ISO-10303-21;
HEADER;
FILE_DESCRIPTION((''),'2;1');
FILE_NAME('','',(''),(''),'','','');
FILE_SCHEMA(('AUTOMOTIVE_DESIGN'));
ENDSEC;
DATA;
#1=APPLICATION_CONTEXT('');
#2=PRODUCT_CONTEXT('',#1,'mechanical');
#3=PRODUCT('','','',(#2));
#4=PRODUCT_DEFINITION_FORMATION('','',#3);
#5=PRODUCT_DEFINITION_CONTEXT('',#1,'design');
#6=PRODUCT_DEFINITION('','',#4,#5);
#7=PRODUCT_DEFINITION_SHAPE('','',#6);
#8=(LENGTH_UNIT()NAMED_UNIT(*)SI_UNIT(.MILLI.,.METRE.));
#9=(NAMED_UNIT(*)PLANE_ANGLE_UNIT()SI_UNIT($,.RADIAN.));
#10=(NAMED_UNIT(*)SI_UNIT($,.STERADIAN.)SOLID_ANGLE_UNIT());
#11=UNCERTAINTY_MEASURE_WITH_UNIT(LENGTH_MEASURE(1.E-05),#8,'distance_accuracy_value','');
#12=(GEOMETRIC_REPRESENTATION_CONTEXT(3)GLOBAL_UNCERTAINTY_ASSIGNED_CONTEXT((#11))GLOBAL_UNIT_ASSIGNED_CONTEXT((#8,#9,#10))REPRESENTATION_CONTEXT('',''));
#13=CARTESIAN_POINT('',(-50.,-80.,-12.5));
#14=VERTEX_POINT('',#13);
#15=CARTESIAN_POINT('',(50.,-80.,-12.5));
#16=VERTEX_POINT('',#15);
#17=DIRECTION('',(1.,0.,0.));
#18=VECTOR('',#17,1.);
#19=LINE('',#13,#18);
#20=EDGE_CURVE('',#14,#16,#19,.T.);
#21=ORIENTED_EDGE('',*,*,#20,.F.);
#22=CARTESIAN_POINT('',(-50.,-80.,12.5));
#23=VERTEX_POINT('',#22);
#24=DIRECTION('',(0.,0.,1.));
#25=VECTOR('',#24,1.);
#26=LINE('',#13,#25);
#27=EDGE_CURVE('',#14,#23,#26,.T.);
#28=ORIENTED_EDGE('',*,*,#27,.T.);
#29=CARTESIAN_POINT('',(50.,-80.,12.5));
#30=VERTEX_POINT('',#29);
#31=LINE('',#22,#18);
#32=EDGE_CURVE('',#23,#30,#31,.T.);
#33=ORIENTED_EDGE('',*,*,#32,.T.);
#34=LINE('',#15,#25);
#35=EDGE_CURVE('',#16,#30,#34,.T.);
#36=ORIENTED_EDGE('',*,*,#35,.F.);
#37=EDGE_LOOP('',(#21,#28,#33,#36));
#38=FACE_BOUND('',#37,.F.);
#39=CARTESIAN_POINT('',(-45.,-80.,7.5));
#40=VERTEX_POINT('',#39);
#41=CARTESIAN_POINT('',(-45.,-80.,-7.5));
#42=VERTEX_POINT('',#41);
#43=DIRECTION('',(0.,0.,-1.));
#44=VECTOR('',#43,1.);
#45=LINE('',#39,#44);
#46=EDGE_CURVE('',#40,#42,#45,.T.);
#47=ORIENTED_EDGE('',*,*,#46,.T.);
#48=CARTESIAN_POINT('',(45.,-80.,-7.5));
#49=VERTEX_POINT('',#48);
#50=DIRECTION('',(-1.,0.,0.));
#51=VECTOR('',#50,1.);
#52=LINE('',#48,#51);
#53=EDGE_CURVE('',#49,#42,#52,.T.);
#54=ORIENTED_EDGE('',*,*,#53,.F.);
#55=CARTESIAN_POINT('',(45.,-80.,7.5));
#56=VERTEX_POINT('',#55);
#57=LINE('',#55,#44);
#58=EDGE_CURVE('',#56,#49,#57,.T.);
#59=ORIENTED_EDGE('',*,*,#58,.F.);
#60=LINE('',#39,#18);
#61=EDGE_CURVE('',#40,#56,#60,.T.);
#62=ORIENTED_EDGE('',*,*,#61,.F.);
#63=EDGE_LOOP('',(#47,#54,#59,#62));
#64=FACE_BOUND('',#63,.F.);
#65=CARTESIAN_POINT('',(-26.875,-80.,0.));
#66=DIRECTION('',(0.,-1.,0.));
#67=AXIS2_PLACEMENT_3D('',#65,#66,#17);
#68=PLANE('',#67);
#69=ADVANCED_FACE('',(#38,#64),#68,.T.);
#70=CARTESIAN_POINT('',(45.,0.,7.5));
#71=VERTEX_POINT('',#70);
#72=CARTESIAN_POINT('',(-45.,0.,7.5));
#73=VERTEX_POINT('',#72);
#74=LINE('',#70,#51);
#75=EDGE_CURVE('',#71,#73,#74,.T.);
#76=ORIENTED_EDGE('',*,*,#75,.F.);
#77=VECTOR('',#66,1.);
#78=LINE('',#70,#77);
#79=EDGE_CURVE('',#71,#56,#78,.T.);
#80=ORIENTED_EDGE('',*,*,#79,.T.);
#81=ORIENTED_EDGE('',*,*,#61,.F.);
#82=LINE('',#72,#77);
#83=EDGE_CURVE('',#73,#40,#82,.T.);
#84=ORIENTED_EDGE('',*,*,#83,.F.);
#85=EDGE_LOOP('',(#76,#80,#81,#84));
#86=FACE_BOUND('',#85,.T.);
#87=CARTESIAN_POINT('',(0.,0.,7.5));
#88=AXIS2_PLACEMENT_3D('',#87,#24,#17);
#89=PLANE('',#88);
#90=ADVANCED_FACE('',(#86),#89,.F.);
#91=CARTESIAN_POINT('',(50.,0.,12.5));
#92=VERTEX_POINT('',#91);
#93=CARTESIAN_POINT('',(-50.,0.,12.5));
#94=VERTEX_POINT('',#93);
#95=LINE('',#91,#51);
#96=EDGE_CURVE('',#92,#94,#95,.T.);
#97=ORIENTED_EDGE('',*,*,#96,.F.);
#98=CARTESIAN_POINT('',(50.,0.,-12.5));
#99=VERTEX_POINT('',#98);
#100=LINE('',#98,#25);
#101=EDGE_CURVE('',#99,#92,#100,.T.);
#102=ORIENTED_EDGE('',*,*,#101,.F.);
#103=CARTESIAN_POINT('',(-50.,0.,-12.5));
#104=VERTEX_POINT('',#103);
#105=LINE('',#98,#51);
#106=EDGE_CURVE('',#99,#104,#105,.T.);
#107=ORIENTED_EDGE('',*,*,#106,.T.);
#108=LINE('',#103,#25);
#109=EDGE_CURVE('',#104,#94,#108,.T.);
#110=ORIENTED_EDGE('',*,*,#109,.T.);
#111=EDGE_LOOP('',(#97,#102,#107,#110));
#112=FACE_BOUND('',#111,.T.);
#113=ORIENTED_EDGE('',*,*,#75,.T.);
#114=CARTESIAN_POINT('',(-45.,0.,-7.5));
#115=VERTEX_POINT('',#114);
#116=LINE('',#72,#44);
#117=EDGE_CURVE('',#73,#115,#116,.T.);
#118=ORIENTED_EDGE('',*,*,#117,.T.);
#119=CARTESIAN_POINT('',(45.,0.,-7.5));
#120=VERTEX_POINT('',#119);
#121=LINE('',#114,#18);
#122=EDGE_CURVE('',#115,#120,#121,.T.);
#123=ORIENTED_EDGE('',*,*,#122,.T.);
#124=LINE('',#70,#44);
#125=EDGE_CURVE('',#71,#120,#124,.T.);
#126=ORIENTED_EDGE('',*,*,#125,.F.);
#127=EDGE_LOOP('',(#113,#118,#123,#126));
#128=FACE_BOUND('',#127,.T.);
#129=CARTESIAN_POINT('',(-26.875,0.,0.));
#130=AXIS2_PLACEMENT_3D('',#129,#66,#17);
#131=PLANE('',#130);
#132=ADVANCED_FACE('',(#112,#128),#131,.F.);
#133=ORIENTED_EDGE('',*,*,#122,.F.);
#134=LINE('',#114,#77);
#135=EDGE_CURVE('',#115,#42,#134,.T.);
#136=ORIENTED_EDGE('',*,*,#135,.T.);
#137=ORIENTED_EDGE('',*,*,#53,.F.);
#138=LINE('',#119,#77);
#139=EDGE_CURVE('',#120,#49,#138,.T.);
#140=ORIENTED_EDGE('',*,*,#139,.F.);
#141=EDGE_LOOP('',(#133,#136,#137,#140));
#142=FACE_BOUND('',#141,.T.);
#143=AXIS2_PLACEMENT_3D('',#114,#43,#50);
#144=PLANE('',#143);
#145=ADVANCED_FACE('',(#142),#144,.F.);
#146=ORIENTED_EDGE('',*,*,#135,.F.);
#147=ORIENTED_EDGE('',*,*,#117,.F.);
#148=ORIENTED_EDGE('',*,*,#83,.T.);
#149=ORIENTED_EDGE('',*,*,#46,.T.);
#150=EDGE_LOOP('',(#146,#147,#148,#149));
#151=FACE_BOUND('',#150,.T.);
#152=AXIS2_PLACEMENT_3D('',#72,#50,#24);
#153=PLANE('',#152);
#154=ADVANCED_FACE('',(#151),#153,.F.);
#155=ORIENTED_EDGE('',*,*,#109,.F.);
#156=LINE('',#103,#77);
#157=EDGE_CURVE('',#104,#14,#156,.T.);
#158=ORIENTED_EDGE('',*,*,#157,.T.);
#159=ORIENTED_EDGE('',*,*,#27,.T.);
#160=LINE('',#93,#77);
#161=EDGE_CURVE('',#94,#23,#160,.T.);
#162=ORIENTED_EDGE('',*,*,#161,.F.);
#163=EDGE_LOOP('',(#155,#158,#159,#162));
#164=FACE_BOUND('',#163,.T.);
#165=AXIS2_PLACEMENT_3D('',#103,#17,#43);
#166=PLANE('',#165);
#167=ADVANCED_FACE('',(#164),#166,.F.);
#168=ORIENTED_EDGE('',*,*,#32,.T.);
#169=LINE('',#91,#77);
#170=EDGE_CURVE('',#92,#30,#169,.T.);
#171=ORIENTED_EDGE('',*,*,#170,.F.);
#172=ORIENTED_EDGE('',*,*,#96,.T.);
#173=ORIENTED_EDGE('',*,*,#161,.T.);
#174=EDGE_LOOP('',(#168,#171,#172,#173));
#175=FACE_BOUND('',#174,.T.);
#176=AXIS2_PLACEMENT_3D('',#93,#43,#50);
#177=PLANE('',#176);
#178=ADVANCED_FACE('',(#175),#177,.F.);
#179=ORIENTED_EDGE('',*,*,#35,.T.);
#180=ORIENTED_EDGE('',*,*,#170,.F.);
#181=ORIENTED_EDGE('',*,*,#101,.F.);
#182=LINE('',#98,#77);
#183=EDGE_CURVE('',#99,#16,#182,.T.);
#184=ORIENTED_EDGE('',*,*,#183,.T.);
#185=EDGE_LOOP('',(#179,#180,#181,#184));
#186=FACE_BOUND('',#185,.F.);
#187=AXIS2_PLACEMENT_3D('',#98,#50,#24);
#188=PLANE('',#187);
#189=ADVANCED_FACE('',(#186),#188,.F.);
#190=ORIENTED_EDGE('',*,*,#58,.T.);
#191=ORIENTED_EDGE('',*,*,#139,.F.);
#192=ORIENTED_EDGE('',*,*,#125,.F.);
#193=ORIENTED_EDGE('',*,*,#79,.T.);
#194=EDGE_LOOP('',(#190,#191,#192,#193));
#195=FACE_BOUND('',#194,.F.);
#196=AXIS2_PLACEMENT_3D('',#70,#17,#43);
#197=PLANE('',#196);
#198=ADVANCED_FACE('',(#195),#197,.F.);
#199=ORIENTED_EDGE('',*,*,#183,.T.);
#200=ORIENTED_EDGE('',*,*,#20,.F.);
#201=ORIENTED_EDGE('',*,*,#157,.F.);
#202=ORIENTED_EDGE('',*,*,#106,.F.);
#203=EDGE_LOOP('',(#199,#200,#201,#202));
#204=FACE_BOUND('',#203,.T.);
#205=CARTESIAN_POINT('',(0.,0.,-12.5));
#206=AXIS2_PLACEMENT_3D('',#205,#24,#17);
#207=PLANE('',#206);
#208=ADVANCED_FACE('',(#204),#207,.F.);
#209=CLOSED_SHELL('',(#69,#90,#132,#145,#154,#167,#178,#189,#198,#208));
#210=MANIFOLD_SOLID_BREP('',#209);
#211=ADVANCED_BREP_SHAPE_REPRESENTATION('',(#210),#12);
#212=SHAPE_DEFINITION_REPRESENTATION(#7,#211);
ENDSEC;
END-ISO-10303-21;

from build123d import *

# Parameters (mm, degrees)
F2_DEPTH = 80


with BuildPart() as f2:
    # F1 (on Front) → F2 (new body)
    with BuildSketch(Plane.XZ):
        Polygon((50, 12.5), (0, 12.5), (0, 7.5), (45, 7.5), (45, -7.5), (0, -7.5), (0, -12.5), (50, -12.5), align=None)
    extrude(amount=F2_DEPTH)

    # F3: F2 across plane


with BuildPart() as f2_1:
    add(f2.part)
    add(f2.part.mirror(Plane.YZ))


solid = f2_1.part
